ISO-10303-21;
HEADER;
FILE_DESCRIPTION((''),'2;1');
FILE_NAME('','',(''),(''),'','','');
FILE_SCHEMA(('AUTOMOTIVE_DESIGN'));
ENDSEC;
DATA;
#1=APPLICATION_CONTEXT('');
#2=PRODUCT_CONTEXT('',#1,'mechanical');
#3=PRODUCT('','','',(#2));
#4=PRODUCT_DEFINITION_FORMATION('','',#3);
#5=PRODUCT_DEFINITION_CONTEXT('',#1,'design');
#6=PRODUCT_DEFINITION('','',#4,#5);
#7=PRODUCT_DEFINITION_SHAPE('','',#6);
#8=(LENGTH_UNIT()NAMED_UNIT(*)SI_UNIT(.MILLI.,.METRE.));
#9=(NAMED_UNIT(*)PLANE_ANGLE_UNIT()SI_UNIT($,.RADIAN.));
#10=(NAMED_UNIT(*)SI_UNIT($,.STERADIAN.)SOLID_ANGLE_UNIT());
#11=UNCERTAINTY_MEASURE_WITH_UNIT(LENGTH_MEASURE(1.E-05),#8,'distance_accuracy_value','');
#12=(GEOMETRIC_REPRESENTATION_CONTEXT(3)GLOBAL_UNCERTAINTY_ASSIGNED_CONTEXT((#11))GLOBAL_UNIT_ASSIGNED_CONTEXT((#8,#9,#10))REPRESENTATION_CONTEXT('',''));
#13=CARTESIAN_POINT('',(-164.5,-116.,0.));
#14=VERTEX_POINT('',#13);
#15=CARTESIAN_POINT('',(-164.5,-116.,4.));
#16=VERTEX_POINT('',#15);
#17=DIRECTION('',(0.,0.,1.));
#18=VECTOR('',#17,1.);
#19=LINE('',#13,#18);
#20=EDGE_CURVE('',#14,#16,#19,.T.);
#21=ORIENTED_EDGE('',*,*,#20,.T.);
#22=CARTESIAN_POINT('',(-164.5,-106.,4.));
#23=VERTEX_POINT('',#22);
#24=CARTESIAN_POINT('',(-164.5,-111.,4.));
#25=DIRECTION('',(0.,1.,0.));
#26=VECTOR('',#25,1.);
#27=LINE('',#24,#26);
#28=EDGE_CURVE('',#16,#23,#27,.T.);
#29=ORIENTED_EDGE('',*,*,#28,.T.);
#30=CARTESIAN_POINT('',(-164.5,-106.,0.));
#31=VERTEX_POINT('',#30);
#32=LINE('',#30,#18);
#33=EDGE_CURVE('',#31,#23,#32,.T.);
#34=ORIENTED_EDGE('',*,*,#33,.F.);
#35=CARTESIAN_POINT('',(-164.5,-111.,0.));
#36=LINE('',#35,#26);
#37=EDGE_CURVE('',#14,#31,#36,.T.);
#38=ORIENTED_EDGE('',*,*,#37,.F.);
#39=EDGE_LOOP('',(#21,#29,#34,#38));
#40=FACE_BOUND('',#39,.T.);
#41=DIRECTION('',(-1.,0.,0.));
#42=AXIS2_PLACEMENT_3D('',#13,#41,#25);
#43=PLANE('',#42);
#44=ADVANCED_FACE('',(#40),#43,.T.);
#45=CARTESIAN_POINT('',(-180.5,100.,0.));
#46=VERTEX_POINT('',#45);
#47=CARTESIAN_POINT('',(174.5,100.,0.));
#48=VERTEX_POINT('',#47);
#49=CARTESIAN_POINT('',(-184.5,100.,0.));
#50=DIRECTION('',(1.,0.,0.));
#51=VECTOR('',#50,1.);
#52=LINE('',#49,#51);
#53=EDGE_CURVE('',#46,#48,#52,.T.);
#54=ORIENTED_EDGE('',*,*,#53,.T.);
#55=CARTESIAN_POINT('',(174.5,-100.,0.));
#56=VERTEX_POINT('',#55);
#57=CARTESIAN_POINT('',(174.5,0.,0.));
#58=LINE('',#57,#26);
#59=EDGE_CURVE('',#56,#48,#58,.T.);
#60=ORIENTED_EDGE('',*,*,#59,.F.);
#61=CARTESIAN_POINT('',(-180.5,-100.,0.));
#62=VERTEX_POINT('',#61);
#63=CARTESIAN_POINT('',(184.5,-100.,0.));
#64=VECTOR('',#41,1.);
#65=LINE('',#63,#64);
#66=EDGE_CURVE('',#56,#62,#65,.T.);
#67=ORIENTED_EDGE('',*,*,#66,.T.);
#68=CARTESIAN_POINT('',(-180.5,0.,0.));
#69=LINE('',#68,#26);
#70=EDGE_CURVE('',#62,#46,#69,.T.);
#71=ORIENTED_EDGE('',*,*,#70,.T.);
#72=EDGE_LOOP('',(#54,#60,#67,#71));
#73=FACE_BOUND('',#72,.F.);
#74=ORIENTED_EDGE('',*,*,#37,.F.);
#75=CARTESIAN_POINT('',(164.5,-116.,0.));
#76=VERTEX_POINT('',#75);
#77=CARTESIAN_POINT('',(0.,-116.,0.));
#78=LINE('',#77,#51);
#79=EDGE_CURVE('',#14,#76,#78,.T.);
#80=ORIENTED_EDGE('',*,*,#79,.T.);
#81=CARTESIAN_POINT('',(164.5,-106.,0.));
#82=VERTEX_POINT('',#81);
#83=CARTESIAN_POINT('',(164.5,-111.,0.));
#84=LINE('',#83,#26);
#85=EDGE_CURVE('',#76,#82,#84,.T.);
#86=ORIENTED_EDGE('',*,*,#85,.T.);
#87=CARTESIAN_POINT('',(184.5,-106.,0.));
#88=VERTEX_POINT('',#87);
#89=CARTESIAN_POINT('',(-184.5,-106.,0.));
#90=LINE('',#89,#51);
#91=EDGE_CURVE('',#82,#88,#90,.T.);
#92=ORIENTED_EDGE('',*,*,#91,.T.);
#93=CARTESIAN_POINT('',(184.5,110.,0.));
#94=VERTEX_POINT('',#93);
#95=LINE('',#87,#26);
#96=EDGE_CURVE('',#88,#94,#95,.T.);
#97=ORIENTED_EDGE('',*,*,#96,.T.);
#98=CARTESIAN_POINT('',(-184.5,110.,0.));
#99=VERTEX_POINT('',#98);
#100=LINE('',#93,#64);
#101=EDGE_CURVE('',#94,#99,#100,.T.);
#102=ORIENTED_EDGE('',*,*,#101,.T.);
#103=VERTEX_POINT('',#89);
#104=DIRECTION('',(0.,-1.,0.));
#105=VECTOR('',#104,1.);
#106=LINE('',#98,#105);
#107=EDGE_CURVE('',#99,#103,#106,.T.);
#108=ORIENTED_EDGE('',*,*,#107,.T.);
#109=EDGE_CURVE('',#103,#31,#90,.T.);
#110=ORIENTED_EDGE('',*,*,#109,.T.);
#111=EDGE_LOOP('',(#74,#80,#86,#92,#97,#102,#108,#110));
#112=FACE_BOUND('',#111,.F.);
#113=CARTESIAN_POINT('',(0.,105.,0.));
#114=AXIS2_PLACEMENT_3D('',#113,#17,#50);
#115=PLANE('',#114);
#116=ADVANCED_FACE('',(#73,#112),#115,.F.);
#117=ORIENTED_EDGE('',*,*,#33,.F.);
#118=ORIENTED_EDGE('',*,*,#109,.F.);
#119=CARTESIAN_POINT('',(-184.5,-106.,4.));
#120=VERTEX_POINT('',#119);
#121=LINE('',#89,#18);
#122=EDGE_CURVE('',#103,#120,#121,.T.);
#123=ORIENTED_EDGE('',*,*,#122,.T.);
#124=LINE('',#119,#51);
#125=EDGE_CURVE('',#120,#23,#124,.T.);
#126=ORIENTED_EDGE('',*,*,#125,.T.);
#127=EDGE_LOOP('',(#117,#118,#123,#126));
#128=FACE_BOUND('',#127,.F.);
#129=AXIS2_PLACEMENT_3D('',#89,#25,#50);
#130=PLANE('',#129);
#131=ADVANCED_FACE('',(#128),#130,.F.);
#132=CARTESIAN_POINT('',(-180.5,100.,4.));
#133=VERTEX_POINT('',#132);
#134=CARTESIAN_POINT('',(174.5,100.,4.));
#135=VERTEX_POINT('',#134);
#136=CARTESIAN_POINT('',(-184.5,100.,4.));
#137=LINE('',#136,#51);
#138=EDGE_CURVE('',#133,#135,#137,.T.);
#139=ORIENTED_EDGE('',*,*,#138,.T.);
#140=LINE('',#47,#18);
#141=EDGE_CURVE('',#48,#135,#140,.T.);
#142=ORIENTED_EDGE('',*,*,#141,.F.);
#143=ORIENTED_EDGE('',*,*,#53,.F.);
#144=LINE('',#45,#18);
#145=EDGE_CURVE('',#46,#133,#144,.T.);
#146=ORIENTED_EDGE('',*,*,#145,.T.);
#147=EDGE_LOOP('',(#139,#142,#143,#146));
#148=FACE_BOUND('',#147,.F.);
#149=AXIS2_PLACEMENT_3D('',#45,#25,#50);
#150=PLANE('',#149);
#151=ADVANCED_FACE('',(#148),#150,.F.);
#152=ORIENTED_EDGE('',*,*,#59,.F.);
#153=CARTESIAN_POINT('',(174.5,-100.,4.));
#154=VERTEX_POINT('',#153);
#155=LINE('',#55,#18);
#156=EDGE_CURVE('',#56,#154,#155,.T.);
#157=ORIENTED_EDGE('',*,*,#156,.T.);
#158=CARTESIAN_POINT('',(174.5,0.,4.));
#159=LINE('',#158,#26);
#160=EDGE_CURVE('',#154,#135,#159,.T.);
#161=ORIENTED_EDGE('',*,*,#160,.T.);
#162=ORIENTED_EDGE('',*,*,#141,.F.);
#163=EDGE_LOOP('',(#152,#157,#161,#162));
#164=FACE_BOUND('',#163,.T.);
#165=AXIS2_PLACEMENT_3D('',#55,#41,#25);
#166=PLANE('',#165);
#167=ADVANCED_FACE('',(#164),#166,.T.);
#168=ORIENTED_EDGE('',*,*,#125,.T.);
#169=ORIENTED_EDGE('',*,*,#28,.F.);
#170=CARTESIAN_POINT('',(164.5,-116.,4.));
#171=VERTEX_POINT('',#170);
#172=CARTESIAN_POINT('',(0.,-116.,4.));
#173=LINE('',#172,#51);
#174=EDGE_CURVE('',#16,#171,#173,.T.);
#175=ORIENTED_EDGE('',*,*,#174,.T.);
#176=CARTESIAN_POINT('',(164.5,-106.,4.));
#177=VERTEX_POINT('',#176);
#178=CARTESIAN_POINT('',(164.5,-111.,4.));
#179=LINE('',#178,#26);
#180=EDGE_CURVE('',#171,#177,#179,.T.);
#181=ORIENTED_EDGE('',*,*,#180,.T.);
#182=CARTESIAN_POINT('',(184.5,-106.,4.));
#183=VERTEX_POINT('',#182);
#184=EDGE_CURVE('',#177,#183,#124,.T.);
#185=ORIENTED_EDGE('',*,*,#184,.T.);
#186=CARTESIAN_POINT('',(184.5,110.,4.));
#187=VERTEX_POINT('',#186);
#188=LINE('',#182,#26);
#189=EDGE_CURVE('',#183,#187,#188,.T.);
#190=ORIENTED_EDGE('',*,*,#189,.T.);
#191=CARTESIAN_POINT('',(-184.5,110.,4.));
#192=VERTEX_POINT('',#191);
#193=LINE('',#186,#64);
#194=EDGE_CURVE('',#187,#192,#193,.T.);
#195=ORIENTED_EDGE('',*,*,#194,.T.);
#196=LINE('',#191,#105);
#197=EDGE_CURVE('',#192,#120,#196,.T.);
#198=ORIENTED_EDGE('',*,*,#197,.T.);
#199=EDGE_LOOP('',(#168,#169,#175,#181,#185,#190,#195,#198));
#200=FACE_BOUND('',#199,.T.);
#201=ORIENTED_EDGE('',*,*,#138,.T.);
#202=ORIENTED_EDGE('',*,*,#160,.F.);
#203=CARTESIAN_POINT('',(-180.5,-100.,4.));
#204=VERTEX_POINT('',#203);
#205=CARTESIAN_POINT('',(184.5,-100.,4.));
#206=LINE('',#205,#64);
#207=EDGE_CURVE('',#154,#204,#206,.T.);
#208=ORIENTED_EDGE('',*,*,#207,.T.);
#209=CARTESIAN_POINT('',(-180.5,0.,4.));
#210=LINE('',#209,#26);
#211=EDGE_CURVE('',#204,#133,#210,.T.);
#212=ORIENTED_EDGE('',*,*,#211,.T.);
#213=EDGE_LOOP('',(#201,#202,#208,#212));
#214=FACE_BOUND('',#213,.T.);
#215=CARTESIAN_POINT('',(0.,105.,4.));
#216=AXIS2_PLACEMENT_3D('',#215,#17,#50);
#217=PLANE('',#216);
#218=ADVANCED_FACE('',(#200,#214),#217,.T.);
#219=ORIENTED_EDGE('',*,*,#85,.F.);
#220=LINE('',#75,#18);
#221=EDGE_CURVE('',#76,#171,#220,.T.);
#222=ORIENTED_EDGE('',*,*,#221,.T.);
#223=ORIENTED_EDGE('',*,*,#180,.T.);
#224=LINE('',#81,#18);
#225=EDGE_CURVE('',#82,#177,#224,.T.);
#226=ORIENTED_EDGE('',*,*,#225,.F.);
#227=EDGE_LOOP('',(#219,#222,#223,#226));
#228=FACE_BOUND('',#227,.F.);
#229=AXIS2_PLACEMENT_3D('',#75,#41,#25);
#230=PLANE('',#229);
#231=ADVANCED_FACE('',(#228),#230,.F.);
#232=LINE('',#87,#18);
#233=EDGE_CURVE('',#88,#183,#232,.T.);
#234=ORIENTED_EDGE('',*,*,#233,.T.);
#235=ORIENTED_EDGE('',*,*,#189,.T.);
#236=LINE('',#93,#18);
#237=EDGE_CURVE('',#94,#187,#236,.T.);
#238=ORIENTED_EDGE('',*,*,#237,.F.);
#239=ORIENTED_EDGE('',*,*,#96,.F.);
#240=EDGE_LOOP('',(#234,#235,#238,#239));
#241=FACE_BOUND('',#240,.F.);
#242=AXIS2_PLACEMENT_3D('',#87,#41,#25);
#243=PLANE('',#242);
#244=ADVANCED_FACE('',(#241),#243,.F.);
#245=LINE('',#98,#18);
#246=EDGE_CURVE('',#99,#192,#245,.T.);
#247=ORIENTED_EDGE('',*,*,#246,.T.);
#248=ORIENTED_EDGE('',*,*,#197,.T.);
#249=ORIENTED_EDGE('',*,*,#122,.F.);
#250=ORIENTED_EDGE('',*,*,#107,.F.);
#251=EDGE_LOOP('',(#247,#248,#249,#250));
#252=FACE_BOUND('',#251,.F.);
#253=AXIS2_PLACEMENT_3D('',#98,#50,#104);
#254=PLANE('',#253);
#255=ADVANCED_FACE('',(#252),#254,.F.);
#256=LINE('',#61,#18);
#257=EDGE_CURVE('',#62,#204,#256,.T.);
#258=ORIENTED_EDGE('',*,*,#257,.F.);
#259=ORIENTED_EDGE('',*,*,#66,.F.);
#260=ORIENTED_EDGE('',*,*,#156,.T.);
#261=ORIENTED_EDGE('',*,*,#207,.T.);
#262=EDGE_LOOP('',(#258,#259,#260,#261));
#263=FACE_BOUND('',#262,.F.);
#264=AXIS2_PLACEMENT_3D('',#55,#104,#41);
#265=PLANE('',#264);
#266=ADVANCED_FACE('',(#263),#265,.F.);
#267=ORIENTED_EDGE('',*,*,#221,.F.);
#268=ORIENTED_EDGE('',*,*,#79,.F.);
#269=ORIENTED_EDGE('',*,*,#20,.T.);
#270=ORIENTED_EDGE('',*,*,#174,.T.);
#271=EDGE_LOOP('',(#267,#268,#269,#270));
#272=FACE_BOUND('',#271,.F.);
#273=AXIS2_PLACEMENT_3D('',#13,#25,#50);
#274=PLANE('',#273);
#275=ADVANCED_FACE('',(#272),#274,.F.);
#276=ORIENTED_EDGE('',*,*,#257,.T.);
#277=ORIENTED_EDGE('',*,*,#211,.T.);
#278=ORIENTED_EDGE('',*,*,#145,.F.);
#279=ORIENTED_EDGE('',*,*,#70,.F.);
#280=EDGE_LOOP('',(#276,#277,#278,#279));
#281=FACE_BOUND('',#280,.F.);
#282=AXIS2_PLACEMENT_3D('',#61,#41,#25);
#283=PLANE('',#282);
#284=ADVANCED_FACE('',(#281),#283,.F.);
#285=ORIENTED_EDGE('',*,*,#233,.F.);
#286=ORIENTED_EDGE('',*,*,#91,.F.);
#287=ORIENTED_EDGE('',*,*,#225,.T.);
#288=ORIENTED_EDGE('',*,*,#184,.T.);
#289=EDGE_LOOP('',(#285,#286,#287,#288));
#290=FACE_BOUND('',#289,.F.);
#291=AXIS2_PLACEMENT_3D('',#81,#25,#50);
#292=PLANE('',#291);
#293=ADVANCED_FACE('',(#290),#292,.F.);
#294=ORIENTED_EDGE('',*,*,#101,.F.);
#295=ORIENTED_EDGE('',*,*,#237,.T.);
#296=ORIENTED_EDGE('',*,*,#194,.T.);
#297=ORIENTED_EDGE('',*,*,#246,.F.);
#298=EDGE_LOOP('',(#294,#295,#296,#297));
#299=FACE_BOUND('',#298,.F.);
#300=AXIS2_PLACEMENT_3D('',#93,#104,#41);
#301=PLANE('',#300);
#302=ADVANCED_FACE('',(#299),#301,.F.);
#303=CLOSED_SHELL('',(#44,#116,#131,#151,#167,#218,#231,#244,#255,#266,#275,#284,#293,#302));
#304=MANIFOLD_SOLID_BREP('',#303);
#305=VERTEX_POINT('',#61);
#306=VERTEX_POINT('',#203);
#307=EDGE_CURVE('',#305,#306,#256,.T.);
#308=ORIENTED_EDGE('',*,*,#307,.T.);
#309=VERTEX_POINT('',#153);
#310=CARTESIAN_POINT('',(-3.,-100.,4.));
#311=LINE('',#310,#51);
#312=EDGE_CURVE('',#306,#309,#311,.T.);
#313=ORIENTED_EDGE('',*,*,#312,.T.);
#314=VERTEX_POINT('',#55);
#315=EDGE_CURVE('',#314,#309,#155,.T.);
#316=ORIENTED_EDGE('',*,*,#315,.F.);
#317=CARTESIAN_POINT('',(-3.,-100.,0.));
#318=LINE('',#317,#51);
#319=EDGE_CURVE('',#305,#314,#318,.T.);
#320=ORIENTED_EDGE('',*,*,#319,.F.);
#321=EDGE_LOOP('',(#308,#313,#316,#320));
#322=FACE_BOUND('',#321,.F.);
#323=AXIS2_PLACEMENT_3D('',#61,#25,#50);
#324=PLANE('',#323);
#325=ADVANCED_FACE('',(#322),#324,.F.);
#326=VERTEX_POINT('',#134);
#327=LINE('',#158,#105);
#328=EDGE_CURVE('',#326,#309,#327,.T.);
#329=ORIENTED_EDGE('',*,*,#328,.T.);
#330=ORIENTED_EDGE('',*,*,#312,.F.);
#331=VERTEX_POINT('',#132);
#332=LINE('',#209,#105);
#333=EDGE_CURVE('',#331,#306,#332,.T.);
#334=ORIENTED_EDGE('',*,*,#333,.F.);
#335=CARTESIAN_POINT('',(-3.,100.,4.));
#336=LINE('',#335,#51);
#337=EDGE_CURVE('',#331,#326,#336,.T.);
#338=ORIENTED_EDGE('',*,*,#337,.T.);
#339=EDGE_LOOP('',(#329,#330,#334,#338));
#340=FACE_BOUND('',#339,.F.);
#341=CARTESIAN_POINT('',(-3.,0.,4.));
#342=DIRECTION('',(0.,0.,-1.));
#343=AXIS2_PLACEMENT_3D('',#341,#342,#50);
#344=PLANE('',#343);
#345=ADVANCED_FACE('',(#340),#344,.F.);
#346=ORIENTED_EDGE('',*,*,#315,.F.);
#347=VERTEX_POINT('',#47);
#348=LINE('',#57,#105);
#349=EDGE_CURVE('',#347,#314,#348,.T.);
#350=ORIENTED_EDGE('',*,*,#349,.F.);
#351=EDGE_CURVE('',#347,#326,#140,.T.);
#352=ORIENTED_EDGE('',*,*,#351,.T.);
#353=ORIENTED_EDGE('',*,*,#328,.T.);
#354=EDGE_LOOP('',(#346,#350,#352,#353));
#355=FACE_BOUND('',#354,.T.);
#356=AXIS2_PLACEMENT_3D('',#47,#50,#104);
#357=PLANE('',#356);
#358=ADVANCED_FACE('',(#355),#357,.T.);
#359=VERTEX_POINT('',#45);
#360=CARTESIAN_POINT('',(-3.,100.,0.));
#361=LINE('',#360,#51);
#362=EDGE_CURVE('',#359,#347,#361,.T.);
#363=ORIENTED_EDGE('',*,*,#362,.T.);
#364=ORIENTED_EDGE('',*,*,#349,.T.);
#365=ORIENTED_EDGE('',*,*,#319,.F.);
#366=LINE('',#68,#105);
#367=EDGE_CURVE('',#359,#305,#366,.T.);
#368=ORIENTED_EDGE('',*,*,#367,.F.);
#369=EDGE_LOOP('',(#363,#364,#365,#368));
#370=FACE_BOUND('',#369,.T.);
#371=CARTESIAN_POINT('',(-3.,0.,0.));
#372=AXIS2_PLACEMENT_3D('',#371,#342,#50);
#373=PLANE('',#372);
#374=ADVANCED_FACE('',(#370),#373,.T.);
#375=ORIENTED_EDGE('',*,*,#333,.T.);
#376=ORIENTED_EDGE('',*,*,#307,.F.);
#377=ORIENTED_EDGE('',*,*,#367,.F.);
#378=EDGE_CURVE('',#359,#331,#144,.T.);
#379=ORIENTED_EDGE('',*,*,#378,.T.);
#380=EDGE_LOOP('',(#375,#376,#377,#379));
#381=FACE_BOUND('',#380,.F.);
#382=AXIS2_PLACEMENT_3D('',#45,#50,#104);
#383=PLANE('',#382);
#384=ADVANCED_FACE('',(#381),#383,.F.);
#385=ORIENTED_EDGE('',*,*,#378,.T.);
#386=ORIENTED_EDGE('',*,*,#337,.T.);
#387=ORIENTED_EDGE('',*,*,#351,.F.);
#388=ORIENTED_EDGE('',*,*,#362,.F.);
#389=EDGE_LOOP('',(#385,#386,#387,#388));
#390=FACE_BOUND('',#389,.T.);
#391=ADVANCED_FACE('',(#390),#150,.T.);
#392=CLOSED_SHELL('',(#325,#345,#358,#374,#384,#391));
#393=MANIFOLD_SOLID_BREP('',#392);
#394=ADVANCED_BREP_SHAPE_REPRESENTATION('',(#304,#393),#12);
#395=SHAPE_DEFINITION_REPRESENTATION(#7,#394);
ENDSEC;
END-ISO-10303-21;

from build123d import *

# Parameters (mm, degrees)
F0_W     = 4
F0_H     = 200
F0_W_2   = 329
F0_H_2   = 10
F0_W_3   = 10
F1_DEPTH = 4
F2_W     = 355
F2_H     = 200
F3_DEPTH = 4


with BuildPart() as f1:
    # F0 (on Top) → F1 (new body)
    with BuildSketch(Plane.XY):
        Polygon((-184.5, 100), (-180.5, 100), (174.5, 100), (184.5, 100), (184.5, 110), (-184.5, 110), align=None)
        with Locations((-182.5, 0)):
            Rectangle(F0_W, F0_H)
        Polygon((174.5, -100), (-180.5, -100), (-184.5, -100), (-184.5, -106), (-164.5, -106), (164.5, -106), (184.5, -106), (184.5, -100), align=None)
        with Locations((0, -111)):
            Rectangle(F0_W_2, F0_H_2)
        with Locations((179.5, 0)):
            Rectangle(F0_W_3, F0_H)
    extrude(amount=F1_DEPTH)


with BuildPart() as f3:
    # F2 (on face) → F3 (new body)
    with BuildSketch(Plane(origin=(0, 0, 0), x_dir=(1, 0, 0), z_dir=(0, 0, -1))):
        with Locations((-3, 0)):
            Rectangle(F2_W, F2_H)
    extrude(amount=-F3_DEPTH)


solid = Compound([f1.part, f3.part])
